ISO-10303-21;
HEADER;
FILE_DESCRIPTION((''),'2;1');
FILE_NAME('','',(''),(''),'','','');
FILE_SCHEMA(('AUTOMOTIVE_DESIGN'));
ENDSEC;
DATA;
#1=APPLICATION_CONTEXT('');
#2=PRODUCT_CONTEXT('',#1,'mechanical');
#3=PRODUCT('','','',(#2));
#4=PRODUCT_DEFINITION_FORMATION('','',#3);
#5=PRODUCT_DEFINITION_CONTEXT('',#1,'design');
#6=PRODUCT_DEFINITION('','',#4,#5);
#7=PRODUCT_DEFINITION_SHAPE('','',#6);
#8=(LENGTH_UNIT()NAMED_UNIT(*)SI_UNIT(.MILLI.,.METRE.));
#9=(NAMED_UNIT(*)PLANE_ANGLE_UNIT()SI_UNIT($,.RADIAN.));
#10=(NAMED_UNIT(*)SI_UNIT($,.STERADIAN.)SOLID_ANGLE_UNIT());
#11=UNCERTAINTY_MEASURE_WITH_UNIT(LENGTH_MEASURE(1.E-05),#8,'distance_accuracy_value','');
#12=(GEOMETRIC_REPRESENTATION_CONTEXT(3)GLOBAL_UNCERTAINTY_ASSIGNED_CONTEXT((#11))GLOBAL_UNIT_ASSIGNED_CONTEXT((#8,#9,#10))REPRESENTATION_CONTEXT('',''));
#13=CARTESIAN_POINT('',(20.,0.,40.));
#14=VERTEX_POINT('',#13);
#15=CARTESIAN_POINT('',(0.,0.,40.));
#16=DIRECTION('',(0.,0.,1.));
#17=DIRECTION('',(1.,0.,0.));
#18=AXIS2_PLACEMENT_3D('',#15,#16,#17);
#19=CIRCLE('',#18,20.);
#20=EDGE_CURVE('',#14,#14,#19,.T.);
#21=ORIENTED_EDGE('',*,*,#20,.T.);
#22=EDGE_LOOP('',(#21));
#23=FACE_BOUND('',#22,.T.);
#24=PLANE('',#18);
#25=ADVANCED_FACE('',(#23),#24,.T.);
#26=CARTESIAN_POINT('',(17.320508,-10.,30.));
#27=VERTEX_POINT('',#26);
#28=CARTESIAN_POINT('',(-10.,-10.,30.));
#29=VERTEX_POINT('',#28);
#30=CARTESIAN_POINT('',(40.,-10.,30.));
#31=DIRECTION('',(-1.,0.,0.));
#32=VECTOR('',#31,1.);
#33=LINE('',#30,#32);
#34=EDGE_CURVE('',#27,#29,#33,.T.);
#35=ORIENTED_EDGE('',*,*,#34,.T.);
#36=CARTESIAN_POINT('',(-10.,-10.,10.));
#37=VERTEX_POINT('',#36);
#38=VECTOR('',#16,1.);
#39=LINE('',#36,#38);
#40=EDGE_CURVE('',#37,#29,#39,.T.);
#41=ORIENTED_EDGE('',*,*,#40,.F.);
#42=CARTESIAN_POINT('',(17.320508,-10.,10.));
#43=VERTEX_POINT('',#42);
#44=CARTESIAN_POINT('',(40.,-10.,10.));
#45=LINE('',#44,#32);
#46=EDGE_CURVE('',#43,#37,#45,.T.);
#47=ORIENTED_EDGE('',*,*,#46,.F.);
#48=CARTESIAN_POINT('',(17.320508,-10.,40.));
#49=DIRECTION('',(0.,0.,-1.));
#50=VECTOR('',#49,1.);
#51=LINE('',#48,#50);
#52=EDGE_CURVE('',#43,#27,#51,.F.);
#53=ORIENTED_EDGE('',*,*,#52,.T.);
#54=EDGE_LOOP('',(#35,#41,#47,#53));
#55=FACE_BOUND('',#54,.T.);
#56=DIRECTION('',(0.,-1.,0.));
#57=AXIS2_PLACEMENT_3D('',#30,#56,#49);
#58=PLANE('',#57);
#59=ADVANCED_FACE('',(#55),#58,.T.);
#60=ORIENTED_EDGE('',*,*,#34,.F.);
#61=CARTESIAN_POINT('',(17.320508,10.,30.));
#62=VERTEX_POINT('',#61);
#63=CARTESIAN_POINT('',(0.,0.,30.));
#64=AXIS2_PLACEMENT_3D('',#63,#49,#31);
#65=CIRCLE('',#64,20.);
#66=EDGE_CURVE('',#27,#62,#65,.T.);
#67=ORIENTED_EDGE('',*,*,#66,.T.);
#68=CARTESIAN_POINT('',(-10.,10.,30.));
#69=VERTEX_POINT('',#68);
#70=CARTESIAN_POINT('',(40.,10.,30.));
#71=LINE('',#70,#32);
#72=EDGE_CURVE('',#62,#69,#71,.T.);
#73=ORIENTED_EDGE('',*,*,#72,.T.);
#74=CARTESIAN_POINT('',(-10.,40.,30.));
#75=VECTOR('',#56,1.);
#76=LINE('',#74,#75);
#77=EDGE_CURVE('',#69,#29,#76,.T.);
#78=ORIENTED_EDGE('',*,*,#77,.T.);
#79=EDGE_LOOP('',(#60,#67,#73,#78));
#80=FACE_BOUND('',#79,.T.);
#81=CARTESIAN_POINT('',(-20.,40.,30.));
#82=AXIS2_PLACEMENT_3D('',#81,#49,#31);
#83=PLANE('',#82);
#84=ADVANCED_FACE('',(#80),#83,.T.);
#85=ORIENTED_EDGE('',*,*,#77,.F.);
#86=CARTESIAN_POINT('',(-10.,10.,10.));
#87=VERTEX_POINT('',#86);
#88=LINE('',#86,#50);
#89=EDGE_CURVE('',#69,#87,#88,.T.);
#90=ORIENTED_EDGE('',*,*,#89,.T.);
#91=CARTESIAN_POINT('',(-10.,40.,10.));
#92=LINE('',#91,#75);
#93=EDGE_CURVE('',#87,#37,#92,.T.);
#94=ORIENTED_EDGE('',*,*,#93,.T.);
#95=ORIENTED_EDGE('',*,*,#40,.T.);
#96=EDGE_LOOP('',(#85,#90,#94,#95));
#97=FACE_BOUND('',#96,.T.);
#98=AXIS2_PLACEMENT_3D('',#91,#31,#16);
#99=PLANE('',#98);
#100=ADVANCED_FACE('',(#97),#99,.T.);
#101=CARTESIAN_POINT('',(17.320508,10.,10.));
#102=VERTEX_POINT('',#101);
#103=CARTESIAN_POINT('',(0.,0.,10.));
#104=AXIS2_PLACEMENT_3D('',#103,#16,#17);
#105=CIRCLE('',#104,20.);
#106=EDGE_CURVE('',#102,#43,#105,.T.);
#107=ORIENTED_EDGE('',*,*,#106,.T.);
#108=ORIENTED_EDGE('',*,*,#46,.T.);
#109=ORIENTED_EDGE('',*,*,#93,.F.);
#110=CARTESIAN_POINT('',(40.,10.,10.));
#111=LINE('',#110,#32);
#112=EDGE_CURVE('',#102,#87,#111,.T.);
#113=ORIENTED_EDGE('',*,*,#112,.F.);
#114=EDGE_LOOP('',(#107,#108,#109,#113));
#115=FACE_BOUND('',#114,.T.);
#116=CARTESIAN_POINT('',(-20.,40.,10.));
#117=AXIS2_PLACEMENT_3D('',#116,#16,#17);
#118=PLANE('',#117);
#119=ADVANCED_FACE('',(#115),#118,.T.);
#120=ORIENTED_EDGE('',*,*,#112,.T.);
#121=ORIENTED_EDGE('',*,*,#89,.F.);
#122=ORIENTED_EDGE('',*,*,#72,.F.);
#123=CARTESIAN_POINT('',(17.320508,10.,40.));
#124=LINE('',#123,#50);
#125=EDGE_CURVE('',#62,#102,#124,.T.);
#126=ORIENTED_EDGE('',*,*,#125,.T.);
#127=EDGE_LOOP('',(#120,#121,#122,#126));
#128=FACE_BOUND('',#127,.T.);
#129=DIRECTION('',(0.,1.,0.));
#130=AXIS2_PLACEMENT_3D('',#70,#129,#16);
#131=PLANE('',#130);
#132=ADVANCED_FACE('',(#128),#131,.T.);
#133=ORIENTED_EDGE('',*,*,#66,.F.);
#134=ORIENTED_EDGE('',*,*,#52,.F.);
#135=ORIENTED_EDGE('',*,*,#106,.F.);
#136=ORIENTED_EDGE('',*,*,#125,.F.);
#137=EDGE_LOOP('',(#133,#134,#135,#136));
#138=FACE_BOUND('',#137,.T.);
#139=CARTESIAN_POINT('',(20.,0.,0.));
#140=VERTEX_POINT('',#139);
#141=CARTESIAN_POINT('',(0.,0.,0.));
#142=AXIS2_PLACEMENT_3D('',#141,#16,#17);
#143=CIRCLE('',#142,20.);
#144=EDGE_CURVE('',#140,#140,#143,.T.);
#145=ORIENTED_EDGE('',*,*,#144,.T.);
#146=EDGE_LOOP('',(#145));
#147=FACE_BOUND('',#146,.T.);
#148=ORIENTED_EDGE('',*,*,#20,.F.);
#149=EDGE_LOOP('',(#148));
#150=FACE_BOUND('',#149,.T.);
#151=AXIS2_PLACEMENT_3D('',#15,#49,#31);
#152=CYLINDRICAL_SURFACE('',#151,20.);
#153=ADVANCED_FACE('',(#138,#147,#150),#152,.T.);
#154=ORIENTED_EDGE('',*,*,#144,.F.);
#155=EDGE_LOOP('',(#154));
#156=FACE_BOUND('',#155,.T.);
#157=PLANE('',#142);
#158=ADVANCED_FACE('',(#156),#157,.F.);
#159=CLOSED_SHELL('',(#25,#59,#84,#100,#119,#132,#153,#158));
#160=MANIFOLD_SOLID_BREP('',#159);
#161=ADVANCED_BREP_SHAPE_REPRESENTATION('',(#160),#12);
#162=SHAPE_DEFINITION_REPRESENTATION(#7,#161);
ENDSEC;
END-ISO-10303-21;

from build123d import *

# Parameters (mm, degrees)
SKETCH1_R               = 20
BOSS_EXTRUDE1_DEPTH     = 40
CUT_EXTRUDE1_DEPTH      = 40
CUT_EXTRUDE1_DEPTH_BACK = 40
SKETCH2_W               = 10
SKETCH2_H               = 20
CUT_EXTRUDE2_DEPTH      = 40
CUT_EXTRUDE2_DEPTH_BACK = 40
SKETCH3_W               = 20
SKETCH3_H               = 10


with BuildPart() as part:
    # Sketch1 → Boss-Extrude1 (new body)
    with BuildSketch(Plane.XY):
        Circle(SKETCH1_R)
    extrude(amount=BOSS_EXTRUDE1_DEPTH)

    # Sketch2 → Cut-Extrude1 (cut, two sides: drawn at the far end of the back side and taken through both)
    with BuildSketch(Plane(origin=(0, 0, 0), x_dir=(1, 0, 0), z_dir=(0, 1, 0)).offset(-CUT_EXTRUDE1_DEPTH_BACK)):
        with Locations((-15, -20)):
            Rectangle(SKETCH2_W, SKETCH2_H)
    extrude(amount=CUT_EXTRUDE1_DEPTH + CUT_EXTRUDE1_DEPTH_BACK, mode=Mode.SUBTRACT)

    # Sketch3 → Cut-Extrude2 (cut, two sides: drawn at the far end of the back side and taken through both)
    with BuildSketch(Plane(origin=(0, 0, 0), x_dir=(0, 0, -1), z_dir=(1, 0, 0)).offset(-CUT_EXTRUDE2_DEPTH_BACK)):
        with Locations((-20, 15)):
            Rectangle(SKETCH3_W, SKETCH3_H)
        with Locations((-20, -15)):
            Rectangle(SKETCH3_W, SKETCH3_H)
    extrude(amount=CUT_EXTRUDE2_DEPTH + CUT_EXTRUDE2_DEPTH_BACK, mode=Mode.SUBTRACT)


solid = part.part
